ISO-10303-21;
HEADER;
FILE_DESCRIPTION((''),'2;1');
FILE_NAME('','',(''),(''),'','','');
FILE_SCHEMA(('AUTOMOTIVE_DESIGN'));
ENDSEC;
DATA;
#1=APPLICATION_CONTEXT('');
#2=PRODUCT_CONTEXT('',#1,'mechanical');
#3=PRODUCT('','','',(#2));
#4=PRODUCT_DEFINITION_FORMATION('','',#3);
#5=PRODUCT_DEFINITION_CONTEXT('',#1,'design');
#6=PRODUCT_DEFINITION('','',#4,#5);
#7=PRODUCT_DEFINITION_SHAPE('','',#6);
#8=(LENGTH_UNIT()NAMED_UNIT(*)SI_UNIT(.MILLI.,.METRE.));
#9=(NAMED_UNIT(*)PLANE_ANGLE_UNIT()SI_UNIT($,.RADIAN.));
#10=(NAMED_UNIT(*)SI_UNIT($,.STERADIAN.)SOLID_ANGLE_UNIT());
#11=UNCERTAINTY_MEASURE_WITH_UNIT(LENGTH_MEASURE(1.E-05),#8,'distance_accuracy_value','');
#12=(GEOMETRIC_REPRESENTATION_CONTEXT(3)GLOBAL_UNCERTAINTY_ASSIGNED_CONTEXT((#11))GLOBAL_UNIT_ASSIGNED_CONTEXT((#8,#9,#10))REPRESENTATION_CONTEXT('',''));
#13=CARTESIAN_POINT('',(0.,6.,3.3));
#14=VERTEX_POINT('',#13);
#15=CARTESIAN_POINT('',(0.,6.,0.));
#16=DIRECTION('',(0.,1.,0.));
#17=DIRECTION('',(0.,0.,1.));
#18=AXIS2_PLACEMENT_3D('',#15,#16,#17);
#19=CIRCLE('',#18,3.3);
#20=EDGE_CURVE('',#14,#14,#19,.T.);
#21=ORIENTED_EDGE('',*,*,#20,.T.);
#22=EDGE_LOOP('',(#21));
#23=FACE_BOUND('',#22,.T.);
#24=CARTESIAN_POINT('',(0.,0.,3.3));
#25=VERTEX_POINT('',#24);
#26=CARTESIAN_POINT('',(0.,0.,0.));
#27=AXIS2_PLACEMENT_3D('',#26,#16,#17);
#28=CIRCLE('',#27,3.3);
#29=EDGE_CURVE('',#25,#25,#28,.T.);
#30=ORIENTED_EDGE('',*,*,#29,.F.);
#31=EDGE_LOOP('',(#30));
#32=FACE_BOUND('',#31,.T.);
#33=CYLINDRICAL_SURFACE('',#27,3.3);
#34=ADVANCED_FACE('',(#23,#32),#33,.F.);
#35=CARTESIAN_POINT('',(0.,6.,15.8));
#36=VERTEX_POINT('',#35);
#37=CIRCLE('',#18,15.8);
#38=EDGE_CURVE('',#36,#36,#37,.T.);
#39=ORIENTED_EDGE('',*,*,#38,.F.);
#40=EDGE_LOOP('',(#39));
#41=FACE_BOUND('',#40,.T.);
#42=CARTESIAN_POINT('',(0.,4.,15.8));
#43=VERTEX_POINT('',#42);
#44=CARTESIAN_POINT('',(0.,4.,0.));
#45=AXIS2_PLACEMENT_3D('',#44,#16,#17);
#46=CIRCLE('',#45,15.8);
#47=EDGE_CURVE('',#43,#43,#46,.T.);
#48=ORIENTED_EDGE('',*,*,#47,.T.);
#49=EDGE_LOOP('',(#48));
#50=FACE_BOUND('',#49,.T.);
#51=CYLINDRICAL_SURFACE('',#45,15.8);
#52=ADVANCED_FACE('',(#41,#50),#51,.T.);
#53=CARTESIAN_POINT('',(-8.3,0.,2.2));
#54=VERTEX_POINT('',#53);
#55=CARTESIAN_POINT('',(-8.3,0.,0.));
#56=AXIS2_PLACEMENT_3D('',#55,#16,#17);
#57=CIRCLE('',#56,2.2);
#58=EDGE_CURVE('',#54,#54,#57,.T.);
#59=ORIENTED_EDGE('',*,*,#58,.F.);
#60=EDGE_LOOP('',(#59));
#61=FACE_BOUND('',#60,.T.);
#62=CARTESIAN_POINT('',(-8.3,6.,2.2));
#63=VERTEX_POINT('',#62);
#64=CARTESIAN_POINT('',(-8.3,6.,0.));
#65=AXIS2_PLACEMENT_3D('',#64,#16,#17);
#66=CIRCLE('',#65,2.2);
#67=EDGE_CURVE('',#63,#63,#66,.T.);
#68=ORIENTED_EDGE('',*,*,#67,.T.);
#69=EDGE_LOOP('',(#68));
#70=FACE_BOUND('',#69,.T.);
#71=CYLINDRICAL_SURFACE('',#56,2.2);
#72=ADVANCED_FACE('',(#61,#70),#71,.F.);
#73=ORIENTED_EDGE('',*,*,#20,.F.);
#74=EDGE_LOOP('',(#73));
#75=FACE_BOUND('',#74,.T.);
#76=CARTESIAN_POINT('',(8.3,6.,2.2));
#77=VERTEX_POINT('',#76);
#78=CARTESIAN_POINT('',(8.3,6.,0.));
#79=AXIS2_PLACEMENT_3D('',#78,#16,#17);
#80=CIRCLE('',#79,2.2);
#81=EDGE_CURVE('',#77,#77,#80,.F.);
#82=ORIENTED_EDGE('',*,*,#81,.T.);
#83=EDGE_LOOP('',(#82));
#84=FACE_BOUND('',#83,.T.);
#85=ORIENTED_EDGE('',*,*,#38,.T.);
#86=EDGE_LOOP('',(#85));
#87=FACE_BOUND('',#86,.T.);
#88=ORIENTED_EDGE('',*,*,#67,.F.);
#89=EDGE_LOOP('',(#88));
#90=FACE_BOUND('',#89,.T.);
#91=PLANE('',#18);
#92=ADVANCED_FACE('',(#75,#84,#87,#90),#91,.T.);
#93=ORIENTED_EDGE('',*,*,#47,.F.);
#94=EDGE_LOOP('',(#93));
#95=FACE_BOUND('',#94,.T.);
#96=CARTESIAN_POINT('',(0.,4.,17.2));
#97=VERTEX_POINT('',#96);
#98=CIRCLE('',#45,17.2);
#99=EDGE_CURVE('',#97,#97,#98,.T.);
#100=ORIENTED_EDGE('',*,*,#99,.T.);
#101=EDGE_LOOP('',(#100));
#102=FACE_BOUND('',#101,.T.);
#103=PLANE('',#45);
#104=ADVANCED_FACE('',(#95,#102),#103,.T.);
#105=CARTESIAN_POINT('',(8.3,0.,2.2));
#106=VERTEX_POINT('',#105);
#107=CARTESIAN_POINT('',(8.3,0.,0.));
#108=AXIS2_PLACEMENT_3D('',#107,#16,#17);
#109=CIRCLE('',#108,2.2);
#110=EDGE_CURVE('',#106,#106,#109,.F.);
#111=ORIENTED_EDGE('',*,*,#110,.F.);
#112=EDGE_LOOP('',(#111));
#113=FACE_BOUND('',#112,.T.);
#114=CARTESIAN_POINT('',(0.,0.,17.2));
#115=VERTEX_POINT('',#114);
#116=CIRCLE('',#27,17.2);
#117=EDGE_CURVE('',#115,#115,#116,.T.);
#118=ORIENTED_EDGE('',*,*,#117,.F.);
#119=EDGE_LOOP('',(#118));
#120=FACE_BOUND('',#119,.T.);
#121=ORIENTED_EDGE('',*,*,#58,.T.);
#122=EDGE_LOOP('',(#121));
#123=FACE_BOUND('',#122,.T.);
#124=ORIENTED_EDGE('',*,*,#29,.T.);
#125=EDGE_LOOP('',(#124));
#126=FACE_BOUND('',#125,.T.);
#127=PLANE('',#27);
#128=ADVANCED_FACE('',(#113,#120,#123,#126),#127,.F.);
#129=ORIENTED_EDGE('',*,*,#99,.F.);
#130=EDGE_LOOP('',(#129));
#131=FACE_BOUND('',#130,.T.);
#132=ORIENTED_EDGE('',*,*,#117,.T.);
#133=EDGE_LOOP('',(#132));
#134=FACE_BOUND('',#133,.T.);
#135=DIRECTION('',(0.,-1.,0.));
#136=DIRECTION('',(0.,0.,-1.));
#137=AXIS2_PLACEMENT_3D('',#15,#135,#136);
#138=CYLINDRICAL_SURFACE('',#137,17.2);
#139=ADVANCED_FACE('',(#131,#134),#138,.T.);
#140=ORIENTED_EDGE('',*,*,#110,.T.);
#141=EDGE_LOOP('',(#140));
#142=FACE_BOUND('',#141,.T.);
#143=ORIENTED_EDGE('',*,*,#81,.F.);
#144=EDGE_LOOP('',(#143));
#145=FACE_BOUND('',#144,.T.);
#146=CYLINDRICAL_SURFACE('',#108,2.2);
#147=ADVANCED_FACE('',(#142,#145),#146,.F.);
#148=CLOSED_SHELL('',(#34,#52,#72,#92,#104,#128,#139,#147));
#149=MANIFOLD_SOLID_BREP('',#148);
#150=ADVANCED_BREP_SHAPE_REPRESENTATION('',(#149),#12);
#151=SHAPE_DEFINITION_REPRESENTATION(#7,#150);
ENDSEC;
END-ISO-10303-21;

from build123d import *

# Parameters (mm, degrees)
SKETCH1_R           = 17.2
BOSS_EXTRUDE1_DEPTH = 6
SKETCH2_OUTSIDE_W   = 46.204
SKETCH2_OUTSIDE_H   = 46.204
SKETCH2_OUTSIDE_R   = 15.8
CUT_EXTRUDE1_DEPTH  = 2
SKETCH3_R           = 3.3
SKETCH3_R_2         = 2.2
CUT_EXTRUDE2_DEPTH  = 26.053542664


with BuildPart() as part:
    # Sketch1 → Boss-Extrude1 (new body)
    with BuildSketch(Plane(origin=(0, 0, 0), x_dir=(1, 0, 0), z_dir=(0, 1, 0))):
        with Locations(Location((0, 0, 0), (0, 0, 270))):
            Circle(SKETCH1_R)
    extrude(amount=BOSS_EXTRUDE1_DEPTH)

    # Sketch2 outside → Cut-Extrude1 (cut)
    with BuildSketch(Plane(origin=(0, 6, 0), x_dir=(1, 0, 0), z_dir=(0, 1, 0))):
        Rectangle(SKETCH2_OUTSIDE_W, SKETCH2_OUTSIDE_H)
        with Locations(Location((0, 0, 0), (0, 0, 270))):
            Circle(SKETCH2_OUTSIDE_R, mode=Mode.SUBTRACT)
    extrude(amount=-CUT_EXTRUDE1_DEPTH, mode=Mode.SUBTRACT)

    # Sketch3 → Cut-Extrude2 (cut, through all)
    with BuildSketch(Plane(origin=(0, 6, 0), x_dir=(1, 0, 0), z_dir=(0, 1, 0))):
        with Locations(Location((0, 0, 0), (0, 0, 270))):
            Circle(SKETCH3_R)
        with Locations(Location((-8.3, 0, 0), (0, 0, 270))):
            Circle(SKETCH3_R_2)
        with Locations(Location((8.3, 0, 0), (0, 0, 270))):
            Circle(SKETCH3_R_2)
    extrude(amount=-CUT_EXTRUDE2_DEPTH, mode=Mode.SUBTRACT)


solid = part.part
